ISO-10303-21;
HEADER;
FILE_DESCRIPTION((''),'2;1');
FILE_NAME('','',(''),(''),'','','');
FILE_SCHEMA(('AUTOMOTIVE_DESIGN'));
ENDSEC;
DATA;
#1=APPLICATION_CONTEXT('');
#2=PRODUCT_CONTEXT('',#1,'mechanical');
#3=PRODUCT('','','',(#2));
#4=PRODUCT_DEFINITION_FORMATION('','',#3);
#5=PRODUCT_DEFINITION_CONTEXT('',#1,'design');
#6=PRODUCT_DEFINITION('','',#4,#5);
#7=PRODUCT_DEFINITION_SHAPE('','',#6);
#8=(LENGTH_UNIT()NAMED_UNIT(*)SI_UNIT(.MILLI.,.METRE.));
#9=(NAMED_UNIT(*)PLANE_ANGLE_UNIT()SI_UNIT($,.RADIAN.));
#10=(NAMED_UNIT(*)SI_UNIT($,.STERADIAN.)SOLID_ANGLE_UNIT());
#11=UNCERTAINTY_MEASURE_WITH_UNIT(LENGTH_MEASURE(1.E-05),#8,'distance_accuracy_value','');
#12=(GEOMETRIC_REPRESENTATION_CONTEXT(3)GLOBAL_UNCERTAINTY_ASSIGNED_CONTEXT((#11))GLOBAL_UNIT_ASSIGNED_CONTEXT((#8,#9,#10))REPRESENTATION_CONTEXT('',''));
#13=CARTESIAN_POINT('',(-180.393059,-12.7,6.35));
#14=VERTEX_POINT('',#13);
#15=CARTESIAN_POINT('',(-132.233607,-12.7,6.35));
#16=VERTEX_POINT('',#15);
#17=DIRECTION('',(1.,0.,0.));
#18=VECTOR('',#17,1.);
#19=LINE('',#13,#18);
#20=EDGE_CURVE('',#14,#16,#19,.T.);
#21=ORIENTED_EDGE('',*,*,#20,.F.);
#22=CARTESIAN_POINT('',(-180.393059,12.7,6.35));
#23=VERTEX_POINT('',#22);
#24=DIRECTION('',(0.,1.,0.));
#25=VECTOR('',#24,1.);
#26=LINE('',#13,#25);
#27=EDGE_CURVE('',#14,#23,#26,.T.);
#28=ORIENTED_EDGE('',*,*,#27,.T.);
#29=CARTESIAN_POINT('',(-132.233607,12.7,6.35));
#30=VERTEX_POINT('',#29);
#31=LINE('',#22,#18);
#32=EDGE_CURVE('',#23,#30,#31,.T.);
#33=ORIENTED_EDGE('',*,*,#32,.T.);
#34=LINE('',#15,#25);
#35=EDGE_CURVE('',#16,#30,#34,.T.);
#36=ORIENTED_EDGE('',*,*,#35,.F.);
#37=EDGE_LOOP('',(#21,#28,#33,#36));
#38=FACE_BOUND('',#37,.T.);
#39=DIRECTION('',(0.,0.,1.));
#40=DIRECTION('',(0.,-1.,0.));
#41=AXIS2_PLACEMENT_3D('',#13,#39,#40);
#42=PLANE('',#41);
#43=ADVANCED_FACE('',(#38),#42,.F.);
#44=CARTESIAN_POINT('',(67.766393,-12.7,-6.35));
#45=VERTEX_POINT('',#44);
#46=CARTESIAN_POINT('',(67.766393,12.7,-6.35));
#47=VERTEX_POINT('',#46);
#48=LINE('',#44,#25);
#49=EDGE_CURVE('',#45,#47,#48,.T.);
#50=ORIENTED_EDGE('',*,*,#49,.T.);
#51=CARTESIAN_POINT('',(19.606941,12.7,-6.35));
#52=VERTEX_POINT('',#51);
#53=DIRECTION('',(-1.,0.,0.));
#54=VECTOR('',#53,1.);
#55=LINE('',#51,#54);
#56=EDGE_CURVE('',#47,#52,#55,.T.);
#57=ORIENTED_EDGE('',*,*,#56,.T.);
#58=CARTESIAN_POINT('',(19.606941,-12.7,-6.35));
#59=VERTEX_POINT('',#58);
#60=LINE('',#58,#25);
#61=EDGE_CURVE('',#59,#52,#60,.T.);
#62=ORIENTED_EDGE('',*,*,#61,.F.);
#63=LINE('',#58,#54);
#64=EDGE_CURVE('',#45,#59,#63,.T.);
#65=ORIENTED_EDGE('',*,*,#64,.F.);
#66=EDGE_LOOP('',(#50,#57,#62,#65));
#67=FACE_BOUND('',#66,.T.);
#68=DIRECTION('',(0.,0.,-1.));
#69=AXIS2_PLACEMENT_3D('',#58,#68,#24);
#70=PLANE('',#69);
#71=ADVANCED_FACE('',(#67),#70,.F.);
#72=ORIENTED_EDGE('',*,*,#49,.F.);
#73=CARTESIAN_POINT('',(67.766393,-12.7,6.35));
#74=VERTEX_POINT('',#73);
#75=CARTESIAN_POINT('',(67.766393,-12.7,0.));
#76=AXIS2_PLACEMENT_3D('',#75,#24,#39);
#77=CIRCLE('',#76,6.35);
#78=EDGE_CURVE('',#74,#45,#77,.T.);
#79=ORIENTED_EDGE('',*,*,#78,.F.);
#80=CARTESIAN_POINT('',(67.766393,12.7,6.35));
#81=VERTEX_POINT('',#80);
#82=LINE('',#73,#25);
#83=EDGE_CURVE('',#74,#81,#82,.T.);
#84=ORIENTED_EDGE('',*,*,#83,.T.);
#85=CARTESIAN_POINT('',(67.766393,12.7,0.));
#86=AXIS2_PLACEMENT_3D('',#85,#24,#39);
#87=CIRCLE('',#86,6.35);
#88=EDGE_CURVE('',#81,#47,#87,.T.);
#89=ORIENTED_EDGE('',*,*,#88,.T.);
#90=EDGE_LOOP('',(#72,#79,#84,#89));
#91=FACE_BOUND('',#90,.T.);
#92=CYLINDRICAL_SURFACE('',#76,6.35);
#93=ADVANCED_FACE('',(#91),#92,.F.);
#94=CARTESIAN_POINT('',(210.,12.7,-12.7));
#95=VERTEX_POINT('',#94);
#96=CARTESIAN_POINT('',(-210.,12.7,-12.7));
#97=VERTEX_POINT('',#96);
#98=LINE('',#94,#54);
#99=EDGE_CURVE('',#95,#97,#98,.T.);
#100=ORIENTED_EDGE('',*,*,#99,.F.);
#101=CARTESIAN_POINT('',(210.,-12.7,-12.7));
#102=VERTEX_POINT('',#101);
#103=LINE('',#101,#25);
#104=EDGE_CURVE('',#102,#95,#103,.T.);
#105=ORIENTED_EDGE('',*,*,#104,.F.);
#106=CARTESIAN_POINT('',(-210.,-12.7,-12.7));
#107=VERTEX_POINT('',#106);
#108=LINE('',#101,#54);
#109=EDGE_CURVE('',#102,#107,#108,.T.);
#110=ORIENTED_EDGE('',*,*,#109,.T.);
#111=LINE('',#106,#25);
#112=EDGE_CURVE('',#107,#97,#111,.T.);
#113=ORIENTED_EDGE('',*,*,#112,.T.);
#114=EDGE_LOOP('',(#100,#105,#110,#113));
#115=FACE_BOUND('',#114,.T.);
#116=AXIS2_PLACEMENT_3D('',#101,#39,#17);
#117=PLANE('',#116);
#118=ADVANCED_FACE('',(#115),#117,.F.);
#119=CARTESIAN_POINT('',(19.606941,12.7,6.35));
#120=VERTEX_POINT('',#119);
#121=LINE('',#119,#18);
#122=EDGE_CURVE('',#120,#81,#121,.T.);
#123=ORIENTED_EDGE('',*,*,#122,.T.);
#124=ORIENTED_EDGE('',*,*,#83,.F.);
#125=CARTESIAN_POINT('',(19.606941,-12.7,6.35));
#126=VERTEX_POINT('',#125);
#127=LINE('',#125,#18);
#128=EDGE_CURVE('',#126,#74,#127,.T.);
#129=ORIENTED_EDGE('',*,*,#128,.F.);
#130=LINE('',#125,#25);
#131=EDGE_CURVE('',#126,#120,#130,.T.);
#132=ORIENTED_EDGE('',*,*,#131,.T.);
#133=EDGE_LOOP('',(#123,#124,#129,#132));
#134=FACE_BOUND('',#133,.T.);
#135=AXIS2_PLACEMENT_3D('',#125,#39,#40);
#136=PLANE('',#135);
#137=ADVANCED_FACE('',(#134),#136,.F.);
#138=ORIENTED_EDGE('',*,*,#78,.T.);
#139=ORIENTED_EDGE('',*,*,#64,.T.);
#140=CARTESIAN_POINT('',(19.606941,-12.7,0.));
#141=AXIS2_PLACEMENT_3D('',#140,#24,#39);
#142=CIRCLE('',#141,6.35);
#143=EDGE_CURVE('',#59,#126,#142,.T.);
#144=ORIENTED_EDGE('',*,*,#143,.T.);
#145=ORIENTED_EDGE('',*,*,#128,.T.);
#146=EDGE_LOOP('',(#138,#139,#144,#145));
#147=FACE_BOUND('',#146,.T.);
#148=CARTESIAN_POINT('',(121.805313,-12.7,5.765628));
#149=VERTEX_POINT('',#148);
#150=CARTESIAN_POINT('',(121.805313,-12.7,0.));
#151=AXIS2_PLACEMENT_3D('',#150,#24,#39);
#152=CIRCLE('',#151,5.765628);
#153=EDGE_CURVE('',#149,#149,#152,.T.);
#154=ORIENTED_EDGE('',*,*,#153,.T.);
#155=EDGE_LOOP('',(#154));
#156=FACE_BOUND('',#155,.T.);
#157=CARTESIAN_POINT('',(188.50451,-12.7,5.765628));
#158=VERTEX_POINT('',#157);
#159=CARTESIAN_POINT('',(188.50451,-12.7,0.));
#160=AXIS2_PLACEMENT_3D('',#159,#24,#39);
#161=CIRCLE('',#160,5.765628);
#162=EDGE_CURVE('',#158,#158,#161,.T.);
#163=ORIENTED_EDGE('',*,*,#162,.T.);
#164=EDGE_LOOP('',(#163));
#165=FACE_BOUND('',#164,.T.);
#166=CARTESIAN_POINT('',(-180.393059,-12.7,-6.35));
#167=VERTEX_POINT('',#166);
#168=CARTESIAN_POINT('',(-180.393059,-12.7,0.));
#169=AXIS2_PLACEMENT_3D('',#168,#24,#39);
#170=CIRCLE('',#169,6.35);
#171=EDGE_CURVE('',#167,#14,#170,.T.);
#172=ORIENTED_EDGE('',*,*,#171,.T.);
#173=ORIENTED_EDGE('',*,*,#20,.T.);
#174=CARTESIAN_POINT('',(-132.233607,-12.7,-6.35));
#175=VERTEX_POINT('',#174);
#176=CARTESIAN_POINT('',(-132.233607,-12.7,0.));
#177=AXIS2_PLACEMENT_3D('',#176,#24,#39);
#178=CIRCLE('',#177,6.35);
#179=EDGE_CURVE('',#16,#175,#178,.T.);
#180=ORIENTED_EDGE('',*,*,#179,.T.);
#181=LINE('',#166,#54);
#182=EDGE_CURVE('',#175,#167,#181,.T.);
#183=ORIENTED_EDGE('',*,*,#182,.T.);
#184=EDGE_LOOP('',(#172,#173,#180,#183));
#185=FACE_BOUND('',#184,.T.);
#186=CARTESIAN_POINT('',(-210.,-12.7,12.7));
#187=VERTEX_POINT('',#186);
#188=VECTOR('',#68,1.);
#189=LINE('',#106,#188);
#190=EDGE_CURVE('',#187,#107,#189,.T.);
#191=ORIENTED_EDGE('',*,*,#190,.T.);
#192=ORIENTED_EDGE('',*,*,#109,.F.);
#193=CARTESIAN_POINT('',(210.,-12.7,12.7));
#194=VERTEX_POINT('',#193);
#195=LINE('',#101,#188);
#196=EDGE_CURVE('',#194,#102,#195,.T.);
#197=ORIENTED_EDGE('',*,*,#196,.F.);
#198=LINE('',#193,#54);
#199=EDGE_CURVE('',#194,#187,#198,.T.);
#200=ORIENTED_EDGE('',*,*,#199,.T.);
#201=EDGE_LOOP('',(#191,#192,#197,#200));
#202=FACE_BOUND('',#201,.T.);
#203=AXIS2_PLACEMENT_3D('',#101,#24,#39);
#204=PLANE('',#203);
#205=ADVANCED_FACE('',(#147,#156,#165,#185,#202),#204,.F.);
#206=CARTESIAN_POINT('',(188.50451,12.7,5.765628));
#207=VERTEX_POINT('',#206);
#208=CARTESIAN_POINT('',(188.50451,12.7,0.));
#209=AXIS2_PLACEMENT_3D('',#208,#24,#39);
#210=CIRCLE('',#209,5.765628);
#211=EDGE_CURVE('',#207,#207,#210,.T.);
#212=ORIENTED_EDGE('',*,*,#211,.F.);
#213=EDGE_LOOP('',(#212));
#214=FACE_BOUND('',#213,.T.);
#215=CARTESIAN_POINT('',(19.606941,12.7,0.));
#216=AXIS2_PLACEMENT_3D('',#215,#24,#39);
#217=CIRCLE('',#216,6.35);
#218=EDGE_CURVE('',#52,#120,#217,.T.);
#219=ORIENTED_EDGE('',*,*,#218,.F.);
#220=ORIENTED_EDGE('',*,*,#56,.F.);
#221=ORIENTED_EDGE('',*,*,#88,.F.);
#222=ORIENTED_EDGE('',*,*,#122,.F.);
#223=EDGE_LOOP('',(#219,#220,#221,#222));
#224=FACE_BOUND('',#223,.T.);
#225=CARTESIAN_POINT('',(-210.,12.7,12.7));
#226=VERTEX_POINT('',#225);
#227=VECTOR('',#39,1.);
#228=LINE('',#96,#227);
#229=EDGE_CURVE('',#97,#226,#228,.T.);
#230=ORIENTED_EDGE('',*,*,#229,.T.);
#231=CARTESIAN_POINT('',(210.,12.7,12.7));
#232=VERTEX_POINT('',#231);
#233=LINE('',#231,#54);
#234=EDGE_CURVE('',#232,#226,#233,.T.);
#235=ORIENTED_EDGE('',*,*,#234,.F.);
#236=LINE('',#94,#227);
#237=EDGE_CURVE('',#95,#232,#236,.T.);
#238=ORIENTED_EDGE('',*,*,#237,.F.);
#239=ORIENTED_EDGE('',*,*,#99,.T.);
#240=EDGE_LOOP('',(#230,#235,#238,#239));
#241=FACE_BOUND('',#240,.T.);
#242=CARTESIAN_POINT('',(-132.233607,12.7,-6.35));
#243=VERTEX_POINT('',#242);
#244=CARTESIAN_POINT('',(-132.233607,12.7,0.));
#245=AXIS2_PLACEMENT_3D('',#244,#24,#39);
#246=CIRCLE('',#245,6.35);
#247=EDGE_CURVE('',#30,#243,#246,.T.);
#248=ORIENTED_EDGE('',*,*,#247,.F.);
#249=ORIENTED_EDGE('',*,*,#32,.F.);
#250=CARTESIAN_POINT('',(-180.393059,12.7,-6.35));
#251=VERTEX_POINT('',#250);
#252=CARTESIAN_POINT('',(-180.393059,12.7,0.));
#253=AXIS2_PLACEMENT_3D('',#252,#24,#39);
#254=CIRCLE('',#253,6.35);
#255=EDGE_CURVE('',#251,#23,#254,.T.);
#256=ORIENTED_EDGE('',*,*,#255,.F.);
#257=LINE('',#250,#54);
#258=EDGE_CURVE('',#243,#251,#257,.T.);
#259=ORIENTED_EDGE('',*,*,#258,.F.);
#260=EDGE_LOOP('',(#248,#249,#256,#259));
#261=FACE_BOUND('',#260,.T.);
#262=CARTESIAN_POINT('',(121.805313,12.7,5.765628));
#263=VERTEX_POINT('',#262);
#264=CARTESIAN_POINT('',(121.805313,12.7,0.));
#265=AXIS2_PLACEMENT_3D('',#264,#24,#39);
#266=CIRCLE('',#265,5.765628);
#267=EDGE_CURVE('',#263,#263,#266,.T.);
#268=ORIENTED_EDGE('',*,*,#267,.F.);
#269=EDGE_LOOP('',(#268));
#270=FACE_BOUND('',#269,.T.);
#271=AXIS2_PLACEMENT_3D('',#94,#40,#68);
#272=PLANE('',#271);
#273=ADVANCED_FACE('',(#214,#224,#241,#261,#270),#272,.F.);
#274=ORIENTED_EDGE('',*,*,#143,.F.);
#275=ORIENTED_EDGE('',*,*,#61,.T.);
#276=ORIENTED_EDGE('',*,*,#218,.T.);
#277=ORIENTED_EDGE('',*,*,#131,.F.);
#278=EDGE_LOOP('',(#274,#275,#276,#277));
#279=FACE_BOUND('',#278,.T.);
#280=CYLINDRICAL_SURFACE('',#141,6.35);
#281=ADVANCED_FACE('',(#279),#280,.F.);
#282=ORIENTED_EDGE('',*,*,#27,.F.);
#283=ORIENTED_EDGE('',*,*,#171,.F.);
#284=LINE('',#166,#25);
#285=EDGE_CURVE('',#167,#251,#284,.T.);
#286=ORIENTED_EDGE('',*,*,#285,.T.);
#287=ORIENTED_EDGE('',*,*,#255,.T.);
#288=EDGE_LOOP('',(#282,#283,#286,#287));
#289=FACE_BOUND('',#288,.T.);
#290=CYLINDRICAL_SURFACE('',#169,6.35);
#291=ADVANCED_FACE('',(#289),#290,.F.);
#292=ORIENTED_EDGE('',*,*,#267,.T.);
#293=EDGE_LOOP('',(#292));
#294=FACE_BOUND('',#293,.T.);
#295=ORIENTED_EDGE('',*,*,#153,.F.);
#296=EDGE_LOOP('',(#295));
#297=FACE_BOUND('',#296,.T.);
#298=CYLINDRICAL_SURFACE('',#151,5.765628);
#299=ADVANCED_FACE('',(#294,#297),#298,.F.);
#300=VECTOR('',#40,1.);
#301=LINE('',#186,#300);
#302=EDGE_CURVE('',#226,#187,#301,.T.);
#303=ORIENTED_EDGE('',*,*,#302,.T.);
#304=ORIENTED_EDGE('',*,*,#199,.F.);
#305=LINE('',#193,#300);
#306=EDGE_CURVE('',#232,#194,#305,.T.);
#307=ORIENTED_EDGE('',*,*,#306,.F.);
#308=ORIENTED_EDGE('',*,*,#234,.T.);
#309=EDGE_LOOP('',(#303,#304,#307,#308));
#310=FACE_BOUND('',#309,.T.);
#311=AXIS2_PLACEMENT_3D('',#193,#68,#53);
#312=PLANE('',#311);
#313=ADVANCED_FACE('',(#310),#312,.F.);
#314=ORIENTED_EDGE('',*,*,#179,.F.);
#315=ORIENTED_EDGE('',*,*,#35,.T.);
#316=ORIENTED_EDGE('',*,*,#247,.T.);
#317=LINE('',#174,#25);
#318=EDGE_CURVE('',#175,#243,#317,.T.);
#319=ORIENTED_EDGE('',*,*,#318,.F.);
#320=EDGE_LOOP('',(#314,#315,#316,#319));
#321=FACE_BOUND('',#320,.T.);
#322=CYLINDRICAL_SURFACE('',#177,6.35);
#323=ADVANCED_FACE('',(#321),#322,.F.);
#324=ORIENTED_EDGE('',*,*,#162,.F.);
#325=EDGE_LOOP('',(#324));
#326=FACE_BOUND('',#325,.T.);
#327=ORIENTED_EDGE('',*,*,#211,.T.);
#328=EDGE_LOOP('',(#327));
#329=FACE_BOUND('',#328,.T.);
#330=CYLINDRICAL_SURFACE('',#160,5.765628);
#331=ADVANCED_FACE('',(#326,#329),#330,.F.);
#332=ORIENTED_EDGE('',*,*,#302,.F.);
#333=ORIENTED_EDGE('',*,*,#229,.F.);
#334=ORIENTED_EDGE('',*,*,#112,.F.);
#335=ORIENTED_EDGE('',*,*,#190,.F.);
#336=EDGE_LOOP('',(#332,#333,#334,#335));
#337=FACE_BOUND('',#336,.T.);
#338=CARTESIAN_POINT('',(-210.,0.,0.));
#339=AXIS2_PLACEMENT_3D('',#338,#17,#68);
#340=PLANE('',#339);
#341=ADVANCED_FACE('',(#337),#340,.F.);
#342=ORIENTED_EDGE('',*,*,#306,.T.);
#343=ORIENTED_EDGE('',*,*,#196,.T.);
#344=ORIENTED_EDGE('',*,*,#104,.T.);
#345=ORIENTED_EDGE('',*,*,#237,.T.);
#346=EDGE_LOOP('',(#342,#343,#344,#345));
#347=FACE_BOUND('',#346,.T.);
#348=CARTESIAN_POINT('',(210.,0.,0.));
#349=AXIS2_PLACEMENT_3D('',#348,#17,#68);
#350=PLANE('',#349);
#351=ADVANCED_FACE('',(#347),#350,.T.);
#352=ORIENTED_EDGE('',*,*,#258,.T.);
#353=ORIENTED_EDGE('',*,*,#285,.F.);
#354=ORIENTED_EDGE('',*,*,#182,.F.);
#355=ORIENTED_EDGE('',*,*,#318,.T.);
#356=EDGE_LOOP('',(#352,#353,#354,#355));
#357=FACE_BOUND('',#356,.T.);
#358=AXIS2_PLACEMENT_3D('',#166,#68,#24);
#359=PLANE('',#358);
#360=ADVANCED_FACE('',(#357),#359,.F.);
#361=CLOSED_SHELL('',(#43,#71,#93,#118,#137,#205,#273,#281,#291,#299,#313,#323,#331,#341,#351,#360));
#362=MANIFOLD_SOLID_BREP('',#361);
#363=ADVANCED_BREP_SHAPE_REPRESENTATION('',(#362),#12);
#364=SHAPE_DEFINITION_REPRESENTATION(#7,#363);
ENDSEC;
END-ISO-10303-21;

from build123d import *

# Parameters (mm, degrees)
CROQUIS2_W              = 25.4
CROQUIS2_H              = 25.4
SALIENTE_EXTRUIR1_DEPTH = 210
CROQUIS3_R              = 5.765627546
CORTAR_EXTRUIR1_DEPTH   = 212.911420174


with BuildPart() as part:
    # Croquis2 → Saliente-Extruir1 (new, symmetric)
    with BuildSketch(Plane(origin=(0, 0, 0), x_dir=(0, 0, -1), z_dir=(1, 0, 0))):
        Rectangle(CROQUIS2_W, CROQUIS2_H)
    extrude(amount=SALIENTE_EXTRUIR1_DEPTH, both=True)

    # Croquis3 → Cortar-Extruir1 (cut, through all)
    with BuildSketch(Plane(origin=(0, 12.7, 0), x_dir=(1, 0, 0), z_dir=(0, 1, 0))):
        with Locations(Location((121.805313166, 0, 0), (0, 0, 270))):
            Circle(CROQUIS3_R)
        with Locations(Location((188.504509996, 0, 0), (0, 0, 270))):
            Circle(CROQUIS3_R)
        with BuildLine():
            Line((-180.393059191, 6.35), (-132.233607082, 6.35))
            ThreePointArc((-132.233607082, 6.35), (-125.883607082, 0), (-132.233607082, -6.35))
            Line((-132.233607082, -6.35), (-180.393059191, -6.35))
            ThreePointArc((-180.393059191, -6.35), (-186.743059191, 0), (-180.393059191, 6.35))
        make_face()
        with BuildLine():
            Line((19.606940809, 6.35), (67.766392918, 6.35))
            ThreePointArc((67.766392918, 6.35), (74.116392918, 0), (67.766392918, -6.35))
            Line((67.766392918, -6.35), (19.606940809, -6.35))
            ThreePointArc((19.606940809, -6.35), (13.256940809, 0), (19.606940809, 6.35))
        make_face()
    extrude(amount=-CORTAR_EXTRUIR1_DEPTH, mode=Mode.SUBTRACT)


solid = part.part
